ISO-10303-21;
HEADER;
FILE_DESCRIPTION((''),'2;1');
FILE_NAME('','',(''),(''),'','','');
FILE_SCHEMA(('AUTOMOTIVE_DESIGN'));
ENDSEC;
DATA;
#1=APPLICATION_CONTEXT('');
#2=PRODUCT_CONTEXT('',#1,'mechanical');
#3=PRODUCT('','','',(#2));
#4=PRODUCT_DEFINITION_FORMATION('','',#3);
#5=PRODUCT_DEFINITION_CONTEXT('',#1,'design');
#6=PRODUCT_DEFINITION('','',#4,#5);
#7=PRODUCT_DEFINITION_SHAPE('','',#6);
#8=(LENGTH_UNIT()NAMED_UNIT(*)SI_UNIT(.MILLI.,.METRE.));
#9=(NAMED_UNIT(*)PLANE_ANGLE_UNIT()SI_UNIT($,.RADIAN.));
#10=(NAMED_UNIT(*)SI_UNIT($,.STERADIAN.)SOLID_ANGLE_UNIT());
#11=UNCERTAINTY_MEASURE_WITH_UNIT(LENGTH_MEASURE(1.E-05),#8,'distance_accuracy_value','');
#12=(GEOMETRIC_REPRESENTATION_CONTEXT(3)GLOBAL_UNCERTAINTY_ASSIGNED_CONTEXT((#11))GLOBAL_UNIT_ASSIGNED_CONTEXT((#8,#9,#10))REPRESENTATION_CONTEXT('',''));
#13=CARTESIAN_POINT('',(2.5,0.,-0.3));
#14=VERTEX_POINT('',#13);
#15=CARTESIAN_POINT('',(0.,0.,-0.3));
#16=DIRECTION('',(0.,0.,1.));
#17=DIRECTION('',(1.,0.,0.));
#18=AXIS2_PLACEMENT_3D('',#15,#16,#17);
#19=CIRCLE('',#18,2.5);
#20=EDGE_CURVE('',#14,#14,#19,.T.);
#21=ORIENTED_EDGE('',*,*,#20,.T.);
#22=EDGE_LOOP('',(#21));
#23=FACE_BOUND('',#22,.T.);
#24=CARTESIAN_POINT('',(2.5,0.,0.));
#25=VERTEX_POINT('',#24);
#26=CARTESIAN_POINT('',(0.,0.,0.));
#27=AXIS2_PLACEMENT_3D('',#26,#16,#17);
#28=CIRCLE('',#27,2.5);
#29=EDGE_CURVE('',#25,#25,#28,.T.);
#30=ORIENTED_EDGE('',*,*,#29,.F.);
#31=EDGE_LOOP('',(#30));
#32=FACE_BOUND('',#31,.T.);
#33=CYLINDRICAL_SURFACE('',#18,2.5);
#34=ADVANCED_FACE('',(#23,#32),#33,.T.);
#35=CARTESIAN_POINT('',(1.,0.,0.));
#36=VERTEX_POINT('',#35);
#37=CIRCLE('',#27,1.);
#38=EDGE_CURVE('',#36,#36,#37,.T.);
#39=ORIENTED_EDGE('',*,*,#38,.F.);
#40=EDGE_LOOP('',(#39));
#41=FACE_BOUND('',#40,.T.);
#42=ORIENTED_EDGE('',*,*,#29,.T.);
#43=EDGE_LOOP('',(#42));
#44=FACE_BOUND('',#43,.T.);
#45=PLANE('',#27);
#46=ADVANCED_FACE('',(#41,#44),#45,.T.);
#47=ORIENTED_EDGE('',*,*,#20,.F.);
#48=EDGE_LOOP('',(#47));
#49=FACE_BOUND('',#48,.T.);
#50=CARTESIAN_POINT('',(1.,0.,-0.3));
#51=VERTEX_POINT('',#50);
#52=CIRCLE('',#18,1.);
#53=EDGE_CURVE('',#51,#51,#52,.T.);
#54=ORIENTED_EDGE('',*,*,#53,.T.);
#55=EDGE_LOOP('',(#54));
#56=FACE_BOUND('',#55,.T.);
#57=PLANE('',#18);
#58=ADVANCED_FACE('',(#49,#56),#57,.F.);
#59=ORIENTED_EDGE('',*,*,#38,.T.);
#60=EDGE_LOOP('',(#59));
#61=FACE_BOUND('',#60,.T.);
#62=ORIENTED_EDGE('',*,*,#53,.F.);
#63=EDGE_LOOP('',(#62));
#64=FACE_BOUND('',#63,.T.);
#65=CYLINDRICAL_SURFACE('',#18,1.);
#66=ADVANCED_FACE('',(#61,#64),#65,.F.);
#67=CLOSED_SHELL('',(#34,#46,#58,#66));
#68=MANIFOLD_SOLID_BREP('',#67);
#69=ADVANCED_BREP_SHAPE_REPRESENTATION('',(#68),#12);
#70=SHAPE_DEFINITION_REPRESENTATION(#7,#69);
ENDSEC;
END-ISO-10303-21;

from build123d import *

# Parameters (mm, degrees)
SKETCH1_R           = 2.5
SKETCH1_R_2         = 1
BOSS_EXTRUDE1_DEPTH = 0.3


with BuildPart() as part:
    # Sketch1 → Boss-Extrude1 (new body)
    with BuildSketch(Plane.XY):
        Circle(SKETCH1_R)
        Circle(SKETCH1_R_2, mode=Mode.SUBTRACT)
    extrude(amount=-BOSS_EXTRUDE1_DEPTH)


solid = part.part
